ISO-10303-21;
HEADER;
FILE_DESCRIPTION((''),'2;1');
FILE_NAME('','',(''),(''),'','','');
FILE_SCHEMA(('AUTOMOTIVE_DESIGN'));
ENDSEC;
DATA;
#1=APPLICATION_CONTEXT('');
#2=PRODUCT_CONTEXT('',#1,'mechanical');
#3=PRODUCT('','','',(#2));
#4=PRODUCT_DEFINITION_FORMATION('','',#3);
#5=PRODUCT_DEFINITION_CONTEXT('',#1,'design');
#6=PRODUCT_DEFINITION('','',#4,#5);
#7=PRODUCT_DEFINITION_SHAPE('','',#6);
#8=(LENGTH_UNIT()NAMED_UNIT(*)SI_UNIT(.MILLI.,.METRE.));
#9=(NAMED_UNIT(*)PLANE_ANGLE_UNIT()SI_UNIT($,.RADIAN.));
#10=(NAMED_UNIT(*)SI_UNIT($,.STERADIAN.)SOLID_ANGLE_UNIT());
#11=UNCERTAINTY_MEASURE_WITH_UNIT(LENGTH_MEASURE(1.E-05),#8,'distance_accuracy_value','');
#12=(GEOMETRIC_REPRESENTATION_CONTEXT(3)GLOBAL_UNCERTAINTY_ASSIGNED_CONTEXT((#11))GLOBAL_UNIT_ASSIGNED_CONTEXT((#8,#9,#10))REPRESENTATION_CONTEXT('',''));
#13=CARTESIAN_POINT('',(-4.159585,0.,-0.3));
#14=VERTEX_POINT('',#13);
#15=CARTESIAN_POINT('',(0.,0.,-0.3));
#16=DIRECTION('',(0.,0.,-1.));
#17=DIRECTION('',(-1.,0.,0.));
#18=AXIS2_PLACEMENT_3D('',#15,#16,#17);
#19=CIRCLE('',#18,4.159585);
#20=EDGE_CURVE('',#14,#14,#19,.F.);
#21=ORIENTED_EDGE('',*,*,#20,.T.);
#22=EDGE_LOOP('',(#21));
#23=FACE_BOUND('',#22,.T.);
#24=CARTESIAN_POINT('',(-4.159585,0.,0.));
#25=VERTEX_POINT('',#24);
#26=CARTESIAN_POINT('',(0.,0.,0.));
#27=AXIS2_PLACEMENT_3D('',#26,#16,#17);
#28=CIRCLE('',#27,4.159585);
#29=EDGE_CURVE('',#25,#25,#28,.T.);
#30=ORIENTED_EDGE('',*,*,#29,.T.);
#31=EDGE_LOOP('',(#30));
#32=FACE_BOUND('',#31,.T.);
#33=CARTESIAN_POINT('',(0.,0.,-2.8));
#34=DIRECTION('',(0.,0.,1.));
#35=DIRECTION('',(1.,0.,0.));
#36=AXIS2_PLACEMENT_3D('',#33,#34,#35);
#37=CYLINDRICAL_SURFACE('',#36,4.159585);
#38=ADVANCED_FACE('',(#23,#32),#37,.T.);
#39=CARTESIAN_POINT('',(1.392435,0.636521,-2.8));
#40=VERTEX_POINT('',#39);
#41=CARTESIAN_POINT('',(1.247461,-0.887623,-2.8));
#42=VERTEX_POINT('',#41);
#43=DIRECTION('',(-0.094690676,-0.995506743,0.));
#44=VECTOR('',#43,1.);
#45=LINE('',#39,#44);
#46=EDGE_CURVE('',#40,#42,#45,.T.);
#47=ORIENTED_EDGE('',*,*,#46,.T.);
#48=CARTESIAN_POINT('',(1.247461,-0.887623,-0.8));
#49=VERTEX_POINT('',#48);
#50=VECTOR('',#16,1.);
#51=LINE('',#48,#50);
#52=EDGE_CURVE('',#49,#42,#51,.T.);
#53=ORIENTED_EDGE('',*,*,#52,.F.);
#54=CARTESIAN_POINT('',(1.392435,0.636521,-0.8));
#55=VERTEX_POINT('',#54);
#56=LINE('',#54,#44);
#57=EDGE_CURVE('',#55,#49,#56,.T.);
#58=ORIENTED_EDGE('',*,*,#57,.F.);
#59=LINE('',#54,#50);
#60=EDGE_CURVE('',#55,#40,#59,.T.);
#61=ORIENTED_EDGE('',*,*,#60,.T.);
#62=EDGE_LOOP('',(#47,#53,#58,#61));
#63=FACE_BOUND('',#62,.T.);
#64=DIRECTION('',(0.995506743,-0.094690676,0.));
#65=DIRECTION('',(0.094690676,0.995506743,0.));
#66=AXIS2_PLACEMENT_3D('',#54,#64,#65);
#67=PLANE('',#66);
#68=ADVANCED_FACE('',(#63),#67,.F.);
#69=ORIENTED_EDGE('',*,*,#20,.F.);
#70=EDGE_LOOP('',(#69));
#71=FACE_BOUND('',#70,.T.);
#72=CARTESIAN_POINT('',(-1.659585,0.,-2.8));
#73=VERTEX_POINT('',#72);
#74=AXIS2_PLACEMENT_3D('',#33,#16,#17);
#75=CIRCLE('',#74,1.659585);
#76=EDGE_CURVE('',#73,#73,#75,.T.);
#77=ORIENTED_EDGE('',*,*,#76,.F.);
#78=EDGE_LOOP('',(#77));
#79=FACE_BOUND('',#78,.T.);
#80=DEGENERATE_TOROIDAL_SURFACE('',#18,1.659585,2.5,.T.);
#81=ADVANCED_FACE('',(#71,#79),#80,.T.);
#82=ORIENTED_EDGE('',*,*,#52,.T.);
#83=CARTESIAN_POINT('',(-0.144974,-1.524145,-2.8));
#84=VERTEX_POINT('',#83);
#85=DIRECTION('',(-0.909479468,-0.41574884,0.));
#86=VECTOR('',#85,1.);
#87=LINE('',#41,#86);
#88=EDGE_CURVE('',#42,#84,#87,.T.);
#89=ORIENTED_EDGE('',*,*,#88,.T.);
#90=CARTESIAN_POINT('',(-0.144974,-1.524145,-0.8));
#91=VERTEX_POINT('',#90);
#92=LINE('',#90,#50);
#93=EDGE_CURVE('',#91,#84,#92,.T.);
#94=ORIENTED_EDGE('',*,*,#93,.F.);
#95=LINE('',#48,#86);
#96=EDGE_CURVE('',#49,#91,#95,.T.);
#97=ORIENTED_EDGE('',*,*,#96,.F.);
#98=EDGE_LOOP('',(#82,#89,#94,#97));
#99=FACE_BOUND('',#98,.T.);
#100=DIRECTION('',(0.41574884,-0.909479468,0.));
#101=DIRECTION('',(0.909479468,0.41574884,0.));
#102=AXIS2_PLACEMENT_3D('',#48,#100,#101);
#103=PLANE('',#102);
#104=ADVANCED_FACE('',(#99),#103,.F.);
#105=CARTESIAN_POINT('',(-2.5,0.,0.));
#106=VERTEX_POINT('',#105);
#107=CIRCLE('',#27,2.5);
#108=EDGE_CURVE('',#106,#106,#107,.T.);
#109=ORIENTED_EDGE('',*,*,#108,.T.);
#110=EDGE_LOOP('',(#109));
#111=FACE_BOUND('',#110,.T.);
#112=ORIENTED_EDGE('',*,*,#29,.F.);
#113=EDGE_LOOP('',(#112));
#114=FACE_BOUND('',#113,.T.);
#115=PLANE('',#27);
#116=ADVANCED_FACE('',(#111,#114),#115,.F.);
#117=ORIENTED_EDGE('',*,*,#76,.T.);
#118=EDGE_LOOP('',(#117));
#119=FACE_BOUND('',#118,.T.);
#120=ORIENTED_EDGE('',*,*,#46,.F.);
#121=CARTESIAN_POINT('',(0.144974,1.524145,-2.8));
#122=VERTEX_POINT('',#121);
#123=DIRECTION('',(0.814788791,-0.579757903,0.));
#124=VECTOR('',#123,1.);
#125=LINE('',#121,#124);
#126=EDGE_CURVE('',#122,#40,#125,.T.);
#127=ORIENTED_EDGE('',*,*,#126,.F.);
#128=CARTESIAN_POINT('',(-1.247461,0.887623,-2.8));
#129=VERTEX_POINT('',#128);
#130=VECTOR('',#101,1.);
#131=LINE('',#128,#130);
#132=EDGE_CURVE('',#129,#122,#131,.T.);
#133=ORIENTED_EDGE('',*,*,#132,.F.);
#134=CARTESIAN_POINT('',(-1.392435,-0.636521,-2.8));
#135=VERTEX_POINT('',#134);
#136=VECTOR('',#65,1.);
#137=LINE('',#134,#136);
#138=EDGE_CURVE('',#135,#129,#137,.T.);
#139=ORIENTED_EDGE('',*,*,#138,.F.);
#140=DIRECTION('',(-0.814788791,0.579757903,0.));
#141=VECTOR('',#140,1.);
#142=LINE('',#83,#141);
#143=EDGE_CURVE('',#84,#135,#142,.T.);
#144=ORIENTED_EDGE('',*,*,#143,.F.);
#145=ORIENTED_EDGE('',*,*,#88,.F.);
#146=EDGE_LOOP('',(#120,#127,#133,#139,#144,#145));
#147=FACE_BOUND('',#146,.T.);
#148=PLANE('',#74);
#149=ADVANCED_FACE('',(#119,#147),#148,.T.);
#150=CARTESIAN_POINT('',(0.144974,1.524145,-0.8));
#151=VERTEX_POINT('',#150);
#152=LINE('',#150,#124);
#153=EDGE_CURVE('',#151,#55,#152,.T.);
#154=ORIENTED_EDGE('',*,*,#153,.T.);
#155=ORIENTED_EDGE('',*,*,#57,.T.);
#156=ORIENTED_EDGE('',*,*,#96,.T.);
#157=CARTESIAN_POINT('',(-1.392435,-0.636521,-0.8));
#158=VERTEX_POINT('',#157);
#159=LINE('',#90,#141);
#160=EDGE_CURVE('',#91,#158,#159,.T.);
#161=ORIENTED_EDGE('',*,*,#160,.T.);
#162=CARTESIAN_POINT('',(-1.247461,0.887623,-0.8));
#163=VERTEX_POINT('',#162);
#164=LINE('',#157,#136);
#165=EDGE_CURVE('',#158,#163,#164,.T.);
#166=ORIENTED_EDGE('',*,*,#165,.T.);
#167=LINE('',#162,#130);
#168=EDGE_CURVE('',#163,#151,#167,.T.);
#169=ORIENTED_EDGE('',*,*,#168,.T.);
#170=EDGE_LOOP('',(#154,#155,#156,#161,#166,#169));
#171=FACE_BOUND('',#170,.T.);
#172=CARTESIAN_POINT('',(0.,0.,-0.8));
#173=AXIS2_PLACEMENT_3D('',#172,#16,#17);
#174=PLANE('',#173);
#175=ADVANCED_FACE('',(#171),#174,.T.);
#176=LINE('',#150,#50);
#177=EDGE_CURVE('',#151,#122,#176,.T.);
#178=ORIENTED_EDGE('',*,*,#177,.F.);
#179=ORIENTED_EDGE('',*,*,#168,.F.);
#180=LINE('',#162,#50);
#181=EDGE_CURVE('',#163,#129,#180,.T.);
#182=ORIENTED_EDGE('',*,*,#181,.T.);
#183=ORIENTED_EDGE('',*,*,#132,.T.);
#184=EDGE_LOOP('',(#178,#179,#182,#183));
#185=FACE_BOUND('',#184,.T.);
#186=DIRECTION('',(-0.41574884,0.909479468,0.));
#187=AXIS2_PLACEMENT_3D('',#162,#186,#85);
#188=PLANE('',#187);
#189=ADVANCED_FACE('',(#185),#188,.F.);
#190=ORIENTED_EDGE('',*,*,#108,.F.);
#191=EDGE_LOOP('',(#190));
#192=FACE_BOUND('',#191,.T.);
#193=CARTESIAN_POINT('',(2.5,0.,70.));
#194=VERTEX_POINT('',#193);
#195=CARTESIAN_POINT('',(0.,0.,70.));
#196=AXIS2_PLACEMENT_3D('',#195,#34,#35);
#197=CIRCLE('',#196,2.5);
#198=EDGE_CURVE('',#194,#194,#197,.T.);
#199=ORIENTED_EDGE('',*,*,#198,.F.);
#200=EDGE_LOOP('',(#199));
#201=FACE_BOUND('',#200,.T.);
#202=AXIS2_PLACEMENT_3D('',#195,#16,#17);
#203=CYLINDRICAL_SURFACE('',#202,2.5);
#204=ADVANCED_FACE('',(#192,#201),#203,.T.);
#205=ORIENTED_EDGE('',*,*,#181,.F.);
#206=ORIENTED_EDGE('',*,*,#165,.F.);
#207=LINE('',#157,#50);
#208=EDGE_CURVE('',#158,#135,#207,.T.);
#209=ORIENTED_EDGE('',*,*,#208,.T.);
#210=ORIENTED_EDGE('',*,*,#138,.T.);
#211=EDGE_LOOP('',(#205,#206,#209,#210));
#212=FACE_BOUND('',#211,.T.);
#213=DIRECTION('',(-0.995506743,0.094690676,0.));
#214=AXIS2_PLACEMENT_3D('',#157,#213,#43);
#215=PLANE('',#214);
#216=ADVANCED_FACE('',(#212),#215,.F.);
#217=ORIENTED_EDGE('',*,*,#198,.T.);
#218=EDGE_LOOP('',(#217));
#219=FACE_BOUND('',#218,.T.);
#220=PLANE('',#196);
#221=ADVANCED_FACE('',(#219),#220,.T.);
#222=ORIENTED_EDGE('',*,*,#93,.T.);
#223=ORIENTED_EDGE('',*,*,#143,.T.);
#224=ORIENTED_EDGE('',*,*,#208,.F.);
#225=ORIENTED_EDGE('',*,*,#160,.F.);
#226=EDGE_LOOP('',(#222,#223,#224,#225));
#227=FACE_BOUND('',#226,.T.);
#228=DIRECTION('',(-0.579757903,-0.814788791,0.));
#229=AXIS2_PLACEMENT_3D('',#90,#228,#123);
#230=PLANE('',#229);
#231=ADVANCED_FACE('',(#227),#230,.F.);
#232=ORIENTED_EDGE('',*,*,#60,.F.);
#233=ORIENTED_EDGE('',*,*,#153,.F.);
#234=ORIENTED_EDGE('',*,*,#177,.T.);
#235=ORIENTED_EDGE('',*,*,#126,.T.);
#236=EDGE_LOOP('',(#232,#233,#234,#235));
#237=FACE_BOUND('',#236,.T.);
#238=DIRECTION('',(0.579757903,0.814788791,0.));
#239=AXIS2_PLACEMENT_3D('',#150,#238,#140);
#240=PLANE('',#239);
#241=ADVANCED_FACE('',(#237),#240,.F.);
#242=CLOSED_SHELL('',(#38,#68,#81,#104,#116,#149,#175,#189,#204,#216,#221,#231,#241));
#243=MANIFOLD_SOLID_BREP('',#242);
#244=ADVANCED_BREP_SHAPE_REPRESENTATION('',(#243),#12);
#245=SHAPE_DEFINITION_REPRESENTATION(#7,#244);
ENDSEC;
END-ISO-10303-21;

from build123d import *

# Parameters (mm, degrees)
SKETCH1_R           = 2.5
BOSS_EXTRUDE1_DEPTH = 70
SKETCH2_R           = 4.159584877
BOSS_EXTRUDE2_DEPTH = 2.8
FILLET1_R           = 2.5
CUT_EXTRUDE1_DEPTH  = 2


with BuildPart() as part:
    # Sketch1 → Boss-Extrude1 (new body)
    with BuildSketch(Plane.XY):
        Circle(SKETCH1_R)
    extrude(amount=BOSS_EXTRUDE1_DEPTH)

    # Sketch2 → Boss-Extrude2 (add)
    with BuildSketch(Plane(origin=(0, 0, 0), x_dir=(-1, 0, 0), z_dir=(0, 0, -1))):
        Circle(SKETCH2_R)
    extrude(amount=BOSS_EXTRUDE2_DEPTH)

    # Fillet1
    fillet1_edges = [part.edges().sort_by_distance(p)[0] for p in [
        (4.159584877, 0, -2.8),
    ]]
    fillet(fillet1_edges, radius=FILLET1_R)

    # Sketch3 → Cut-Extrude1 (cut)
    with BuildSketch(Plane(origin=(0, 0, -2.8), x_dir=(-1, 0, 0), z_dir=(0, 0, -1))):
        Polygon((1.392434699, -0.636521364), (1.247461021, 0.88762314), (-0.144973678, 1.524144504), (-1.392434699, 0.636521364), (-1.247461021, -0.88762314), (0.144973678, -1.524144504), align=None)
    extrude(amount=-CUT_EXTRUDE1_DEPTH, mode=Mode.SUBTRACT)


solid = part.part
